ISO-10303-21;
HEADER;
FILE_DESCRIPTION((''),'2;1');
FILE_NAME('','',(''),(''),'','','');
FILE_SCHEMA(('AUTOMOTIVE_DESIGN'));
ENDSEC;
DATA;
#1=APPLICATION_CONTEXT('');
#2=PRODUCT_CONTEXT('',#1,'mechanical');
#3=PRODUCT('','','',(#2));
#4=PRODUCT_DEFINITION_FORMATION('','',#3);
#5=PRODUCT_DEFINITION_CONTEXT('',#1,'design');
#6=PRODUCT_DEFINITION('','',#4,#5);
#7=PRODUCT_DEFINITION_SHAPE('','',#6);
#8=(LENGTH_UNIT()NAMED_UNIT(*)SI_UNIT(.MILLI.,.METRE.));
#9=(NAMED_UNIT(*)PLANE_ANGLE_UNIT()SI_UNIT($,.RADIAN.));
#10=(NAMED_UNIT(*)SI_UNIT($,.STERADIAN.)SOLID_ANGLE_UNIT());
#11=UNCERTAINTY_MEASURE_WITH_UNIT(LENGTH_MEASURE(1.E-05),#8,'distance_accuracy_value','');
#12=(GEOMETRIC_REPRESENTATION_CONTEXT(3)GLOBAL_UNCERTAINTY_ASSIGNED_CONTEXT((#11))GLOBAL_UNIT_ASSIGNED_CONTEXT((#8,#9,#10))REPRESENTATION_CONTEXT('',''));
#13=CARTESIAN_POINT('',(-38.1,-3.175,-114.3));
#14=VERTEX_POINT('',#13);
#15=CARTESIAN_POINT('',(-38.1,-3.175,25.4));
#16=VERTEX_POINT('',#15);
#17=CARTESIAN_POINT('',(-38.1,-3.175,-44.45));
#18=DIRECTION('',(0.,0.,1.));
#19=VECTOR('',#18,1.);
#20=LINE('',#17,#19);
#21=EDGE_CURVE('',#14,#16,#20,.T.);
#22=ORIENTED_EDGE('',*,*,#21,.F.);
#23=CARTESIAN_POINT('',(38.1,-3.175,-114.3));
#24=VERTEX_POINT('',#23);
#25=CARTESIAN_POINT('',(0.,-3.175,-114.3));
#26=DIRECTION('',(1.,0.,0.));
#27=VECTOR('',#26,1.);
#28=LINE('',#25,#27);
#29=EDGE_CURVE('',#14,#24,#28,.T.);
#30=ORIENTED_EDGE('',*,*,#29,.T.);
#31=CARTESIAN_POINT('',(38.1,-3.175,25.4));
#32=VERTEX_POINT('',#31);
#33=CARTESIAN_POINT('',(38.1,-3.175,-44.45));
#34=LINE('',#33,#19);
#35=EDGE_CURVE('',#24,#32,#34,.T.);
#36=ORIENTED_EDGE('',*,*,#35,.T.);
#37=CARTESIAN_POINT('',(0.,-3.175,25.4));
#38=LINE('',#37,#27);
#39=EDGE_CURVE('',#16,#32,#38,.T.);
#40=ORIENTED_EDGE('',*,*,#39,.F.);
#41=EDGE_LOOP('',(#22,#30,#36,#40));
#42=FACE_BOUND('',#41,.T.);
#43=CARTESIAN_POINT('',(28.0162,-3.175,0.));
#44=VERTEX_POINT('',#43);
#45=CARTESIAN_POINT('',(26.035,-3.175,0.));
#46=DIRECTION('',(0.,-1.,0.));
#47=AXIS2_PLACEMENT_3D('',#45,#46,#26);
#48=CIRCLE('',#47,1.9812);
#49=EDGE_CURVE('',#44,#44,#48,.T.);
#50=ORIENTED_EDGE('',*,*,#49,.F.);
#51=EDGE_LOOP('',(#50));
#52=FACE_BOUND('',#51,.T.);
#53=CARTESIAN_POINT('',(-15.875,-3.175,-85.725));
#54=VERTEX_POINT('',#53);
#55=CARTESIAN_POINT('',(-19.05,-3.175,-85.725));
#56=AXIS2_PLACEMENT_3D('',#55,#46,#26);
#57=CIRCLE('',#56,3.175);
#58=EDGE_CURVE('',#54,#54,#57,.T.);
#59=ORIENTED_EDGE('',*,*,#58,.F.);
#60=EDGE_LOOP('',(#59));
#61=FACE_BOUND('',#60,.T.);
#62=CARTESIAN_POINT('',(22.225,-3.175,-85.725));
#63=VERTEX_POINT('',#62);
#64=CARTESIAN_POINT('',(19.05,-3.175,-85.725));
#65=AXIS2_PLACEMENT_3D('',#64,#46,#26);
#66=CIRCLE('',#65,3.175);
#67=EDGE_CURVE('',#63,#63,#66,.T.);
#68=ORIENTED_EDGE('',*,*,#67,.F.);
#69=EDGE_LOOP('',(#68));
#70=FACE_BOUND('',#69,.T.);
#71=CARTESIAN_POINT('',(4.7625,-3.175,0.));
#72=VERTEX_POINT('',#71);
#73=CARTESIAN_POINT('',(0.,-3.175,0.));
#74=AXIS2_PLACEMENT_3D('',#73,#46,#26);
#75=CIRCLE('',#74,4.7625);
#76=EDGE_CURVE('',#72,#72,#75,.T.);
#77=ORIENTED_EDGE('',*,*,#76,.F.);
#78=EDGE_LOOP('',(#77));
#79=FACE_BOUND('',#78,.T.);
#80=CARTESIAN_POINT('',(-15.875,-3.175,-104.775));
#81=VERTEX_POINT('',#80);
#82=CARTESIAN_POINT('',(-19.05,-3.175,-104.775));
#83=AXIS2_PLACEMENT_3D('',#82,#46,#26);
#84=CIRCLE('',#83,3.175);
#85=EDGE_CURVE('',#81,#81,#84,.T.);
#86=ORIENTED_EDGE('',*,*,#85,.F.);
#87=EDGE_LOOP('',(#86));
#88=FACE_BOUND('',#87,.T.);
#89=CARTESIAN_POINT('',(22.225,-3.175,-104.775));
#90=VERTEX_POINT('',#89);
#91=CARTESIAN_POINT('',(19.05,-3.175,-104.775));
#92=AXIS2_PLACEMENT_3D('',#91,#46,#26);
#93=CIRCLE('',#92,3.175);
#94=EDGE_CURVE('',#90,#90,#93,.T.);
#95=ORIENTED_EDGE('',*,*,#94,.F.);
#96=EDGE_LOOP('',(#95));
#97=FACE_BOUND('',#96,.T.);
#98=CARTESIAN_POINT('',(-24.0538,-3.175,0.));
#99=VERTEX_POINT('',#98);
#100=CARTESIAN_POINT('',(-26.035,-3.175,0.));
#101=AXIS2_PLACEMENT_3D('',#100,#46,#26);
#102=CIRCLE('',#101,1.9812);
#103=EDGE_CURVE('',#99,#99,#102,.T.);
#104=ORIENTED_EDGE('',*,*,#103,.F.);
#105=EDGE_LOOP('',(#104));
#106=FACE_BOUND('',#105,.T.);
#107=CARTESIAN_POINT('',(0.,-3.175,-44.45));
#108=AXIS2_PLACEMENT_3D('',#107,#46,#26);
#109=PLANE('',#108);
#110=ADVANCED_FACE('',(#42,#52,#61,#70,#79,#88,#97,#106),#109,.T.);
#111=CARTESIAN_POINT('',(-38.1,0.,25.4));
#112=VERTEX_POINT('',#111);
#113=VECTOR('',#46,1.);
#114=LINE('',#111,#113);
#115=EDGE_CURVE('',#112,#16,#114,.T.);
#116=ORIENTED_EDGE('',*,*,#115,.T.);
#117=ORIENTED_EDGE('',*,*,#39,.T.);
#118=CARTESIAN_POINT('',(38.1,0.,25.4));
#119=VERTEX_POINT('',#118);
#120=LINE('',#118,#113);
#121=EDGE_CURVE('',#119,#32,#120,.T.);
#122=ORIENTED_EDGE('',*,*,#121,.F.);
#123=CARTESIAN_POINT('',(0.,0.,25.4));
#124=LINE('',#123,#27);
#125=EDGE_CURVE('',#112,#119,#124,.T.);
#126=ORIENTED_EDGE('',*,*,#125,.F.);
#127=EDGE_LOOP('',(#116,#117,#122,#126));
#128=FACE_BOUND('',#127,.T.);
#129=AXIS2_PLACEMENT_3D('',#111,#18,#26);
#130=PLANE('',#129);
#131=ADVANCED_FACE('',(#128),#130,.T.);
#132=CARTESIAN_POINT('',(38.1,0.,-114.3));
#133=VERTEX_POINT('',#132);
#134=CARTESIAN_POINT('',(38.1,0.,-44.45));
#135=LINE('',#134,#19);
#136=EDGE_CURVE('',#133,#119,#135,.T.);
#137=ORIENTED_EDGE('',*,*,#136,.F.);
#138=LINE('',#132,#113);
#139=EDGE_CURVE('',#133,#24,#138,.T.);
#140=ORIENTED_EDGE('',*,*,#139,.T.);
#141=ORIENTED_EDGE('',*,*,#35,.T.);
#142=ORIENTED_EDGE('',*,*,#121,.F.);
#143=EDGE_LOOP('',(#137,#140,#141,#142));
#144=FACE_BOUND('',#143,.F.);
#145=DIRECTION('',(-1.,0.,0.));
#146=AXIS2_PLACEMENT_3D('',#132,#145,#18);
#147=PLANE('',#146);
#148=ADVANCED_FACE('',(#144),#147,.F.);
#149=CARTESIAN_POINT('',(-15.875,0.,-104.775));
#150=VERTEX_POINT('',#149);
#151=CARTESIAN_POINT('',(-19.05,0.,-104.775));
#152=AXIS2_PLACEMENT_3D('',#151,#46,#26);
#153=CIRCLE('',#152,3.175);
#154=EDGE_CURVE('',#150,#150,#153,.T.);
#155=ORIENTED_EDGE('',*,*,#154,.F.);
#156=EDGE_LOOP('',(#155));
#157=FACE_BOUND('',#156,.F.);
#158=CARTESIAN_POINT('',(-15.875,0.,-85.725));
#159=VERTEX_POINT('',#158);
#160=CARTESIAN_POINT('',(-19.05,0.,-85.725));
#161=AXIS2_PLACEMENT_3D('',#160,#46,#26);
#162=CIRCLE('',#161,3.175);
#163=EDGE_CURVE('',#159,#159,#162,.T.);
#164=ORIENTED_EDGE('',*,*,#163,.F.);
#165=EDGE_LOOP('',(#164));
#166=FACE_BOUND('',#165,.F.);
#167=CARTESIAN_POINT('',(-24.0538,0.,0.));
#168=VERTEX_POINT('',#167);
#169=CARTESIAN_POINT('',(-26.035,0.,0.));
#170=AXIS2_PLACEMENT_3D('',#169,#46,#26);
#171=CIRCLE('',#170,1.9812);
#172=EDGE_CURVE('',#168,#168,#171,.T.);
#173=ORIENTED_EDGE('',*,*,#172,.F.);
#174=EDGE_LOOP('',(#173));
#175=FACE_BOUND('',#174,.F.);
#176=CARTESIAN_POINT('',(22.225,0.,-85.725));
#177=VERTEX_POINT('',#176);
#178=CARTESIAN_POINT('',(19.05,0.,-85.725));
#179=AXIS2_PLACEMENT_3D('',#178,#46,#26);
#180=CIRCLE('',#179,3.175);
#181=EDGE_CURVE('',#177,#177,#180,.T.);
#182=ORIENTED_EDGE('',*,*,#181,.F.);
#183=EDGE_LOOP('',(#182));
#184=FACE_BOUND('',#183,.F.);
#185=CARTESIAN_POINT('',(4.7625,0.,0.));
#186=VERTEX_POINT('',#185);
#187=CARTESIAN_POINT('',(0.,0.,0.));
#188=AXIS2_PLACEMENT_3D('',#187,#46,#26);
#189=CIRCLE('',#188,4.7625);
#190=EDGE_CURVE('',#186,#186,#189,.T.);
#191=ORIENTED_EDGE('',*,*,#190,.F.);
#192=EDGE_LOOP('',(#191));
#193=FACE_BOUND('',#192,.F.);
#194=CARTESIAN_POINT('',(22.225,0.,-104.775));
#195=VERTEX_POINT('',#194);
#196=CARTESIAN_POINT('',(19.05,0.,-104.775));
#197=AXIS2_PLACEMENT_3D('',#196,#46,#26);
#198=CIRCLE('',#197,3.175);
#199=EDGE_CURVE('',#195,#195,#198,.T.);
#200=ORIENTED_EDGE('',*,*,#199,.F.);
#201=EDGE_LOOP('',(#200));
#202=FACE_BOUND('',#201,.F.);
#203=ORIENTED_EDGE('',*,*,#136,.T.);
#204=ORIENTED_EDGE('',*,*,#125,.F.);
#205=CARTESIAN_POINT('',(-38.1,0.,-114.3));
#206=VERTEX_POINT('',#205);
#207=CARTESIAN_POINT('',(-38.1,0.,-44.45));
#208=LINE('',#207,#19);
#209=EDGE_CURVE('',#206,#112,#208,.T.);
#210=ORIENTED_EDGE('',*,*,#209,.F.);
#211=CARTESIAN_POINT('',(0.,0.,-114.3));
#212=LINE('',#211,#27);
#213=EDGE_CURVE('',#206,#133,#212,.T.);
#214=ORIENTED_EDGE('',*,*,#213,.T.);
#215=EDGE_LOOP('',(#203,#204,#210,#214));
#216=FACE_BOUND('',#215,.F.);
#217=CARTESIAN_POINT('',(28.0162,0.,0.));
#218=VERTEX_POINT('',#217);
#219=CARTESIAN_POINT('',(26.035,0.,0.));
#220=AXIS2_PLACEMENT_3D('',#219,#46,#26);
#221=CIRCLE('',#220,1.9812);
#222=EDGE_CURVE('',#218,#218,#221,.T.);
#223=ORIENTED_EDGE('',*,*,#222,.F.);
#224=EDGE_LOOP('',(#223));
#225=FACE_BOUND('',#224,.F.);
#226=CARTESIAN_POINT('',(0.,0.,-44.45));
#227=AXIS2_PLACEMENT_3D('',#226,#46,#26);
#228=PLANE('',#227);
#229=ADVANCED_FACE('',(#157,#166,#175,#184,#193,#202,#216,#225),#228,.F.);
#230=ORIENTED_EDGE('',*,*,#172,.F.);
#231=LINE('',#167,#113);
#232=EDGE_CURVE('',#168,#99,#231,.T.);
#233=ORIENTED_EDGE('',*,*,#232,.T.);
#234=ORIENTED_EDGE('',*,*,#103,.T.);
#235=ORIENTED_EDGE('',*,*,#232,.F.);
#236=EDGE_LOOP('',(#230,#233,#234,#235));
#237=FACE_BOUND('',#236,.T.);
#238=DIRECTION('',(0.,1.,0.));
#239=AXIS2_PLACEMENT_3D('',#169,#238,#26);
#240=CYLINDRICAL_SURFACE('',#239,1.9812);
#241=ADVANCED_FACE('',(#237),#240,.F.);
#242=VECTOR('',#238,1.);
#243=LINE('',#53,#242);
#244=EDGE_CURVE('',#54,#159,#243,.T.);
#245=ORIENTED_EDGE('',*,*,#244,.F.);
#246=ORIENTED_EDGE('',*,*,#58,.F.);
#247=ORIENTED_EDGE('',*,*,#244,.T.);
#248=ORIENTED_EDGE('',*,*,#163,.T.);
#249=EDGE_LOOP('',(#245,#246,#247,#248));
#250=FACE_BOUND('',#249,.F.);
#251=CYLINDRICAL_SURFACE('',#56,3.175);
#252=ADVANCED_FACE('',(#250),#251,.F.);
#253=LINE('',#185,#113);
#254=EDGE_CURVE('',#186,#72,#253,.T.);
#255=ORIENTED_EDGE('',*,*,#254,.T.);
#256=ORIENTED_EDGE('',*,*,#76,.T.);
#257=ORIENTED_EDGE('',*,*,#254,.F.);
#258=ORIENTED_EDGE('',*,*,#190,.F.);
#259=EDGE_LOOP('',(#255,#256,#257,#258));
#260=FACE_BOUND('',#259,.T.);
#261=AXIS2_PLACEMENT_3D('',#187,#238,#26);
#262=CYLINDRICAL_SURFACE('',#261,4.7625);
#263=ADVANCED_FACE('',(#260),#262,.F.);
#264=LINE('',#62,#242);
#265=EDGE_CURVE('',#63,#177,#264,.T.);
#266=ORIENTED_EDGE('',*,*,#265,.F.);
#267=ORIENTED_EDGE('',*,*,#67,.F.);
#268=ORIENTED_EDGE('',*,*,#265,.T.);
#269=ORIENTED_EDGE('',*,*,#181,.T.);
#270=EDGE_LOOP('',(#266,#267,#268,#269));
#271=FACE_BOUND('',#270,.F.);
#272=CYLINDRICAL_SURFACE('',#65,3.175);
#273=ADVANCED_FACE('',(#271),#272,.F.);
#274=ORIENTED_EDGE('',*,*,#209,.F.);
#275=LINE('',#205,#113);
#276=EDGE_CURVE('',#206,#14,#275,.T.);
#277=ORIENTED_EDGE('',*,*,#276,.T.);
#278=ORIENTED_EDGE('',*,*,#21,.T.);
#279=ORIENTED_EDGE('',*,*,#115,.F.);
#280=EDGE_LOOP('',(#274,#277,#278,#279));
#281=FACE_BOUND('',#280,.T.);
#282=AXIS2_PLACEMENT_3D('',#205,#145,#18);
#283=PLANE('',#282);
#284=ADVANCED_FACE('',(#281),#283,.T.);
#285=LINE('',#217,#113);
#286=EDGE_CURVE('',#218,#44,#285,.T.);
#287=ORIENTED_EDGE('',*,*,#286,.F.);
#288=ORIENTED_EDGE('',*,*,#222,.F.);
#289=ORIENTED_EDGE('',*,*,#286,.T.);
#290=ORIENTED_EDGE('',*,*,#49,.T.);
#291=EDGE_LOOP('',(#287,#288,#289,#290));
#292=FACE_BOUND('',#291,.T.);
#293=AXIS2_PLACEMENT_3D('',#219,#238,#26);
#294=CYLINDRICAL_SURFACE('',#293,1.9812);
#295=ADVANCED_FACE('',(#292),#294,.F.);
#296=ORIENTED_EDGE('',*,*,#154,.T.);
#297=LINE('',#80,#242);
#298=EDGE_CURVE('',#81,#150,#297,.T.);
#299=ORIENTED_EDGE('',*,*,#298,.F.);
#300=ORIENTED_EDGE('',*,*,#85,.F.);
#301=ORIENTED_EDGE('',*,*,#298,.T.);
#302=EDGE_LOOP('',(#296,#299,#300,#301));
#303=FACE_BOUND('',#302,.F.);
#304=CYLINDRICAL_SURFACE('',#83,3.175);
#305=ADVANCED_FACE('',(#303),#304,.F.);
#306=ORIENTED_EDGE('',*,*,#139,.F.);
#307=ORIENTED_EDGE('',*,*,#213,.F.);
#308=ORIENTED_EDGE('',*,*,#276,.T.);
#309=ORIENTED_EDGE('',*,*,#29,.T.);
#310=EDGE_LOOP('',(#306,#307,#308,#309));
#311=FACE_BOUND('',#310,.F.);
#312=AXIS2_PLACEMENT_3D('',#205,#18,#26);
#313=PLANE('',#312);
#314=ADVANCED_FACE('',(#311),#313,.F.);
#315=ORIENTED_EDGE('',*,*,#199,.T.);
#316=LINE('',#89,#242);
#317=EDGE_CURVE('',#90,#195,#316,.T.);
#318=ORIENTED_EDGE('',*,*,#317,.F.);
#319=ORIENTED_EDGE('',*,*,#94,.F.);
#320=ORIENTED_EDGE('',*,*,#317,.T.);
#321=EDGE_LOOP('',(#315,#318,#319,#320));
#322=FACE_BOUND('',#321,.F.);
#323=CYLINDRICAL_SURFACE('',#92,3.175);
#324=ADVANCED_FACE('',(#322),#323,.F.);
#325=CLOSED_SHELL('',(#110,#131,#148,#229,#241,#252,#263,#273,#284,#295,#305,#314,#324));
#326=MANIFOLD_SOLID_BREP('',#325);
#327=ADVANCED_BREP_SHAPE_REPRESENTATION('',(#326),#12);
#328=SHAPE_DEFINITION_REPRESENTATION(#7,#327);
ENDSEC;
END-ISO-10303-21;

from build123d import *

# Parameters (mm, degrees)
F0_W     = 76.2
F0_H     = 139.7
F0_R     = 1.9812
F0_R_2   = 4.7625
F1_DEPTH = 3.175
F2_R     = 3.175
F3_DEPTH = 3.176


with BuildPart() as f1:
    # F0 (on Front) → F1 (new body)
    with BuildSketch(Plane.XZ):
        with Locations((0, -44.45)):
            Rectangle(F0_W, F0_H)
        with Locations((-26.035, 0)):
            Circle(F0_R, mode=Mode.SUBTRACT)
        Circle(F0_R_2, mode=Mode.SUBTRACT)
        with Locations((26.035, 0)):
            Circle(F0_R, mode=Mode.SUBTRACT)
    extrude(amount=F1_DEPTH)

    # F2 (on face) → F3 (cut, through all)
    with BuildSketch(Plane.XZ.offset(3.175)):
        with Locations((19.05, -85.725)):
            Circle(F2_R)
        with Locations((19.05, -104.775)):
            Circle(F2_R)
        with Locations((-19.05, -85.725)):
            Circle(F2_R)
        with Locations((-19.05, -104.775)):
            Circle(F2_R)
    extrude(amount=-F3_DEPTH, mode=Mode.SUBTRACT)


solid = f1.part
